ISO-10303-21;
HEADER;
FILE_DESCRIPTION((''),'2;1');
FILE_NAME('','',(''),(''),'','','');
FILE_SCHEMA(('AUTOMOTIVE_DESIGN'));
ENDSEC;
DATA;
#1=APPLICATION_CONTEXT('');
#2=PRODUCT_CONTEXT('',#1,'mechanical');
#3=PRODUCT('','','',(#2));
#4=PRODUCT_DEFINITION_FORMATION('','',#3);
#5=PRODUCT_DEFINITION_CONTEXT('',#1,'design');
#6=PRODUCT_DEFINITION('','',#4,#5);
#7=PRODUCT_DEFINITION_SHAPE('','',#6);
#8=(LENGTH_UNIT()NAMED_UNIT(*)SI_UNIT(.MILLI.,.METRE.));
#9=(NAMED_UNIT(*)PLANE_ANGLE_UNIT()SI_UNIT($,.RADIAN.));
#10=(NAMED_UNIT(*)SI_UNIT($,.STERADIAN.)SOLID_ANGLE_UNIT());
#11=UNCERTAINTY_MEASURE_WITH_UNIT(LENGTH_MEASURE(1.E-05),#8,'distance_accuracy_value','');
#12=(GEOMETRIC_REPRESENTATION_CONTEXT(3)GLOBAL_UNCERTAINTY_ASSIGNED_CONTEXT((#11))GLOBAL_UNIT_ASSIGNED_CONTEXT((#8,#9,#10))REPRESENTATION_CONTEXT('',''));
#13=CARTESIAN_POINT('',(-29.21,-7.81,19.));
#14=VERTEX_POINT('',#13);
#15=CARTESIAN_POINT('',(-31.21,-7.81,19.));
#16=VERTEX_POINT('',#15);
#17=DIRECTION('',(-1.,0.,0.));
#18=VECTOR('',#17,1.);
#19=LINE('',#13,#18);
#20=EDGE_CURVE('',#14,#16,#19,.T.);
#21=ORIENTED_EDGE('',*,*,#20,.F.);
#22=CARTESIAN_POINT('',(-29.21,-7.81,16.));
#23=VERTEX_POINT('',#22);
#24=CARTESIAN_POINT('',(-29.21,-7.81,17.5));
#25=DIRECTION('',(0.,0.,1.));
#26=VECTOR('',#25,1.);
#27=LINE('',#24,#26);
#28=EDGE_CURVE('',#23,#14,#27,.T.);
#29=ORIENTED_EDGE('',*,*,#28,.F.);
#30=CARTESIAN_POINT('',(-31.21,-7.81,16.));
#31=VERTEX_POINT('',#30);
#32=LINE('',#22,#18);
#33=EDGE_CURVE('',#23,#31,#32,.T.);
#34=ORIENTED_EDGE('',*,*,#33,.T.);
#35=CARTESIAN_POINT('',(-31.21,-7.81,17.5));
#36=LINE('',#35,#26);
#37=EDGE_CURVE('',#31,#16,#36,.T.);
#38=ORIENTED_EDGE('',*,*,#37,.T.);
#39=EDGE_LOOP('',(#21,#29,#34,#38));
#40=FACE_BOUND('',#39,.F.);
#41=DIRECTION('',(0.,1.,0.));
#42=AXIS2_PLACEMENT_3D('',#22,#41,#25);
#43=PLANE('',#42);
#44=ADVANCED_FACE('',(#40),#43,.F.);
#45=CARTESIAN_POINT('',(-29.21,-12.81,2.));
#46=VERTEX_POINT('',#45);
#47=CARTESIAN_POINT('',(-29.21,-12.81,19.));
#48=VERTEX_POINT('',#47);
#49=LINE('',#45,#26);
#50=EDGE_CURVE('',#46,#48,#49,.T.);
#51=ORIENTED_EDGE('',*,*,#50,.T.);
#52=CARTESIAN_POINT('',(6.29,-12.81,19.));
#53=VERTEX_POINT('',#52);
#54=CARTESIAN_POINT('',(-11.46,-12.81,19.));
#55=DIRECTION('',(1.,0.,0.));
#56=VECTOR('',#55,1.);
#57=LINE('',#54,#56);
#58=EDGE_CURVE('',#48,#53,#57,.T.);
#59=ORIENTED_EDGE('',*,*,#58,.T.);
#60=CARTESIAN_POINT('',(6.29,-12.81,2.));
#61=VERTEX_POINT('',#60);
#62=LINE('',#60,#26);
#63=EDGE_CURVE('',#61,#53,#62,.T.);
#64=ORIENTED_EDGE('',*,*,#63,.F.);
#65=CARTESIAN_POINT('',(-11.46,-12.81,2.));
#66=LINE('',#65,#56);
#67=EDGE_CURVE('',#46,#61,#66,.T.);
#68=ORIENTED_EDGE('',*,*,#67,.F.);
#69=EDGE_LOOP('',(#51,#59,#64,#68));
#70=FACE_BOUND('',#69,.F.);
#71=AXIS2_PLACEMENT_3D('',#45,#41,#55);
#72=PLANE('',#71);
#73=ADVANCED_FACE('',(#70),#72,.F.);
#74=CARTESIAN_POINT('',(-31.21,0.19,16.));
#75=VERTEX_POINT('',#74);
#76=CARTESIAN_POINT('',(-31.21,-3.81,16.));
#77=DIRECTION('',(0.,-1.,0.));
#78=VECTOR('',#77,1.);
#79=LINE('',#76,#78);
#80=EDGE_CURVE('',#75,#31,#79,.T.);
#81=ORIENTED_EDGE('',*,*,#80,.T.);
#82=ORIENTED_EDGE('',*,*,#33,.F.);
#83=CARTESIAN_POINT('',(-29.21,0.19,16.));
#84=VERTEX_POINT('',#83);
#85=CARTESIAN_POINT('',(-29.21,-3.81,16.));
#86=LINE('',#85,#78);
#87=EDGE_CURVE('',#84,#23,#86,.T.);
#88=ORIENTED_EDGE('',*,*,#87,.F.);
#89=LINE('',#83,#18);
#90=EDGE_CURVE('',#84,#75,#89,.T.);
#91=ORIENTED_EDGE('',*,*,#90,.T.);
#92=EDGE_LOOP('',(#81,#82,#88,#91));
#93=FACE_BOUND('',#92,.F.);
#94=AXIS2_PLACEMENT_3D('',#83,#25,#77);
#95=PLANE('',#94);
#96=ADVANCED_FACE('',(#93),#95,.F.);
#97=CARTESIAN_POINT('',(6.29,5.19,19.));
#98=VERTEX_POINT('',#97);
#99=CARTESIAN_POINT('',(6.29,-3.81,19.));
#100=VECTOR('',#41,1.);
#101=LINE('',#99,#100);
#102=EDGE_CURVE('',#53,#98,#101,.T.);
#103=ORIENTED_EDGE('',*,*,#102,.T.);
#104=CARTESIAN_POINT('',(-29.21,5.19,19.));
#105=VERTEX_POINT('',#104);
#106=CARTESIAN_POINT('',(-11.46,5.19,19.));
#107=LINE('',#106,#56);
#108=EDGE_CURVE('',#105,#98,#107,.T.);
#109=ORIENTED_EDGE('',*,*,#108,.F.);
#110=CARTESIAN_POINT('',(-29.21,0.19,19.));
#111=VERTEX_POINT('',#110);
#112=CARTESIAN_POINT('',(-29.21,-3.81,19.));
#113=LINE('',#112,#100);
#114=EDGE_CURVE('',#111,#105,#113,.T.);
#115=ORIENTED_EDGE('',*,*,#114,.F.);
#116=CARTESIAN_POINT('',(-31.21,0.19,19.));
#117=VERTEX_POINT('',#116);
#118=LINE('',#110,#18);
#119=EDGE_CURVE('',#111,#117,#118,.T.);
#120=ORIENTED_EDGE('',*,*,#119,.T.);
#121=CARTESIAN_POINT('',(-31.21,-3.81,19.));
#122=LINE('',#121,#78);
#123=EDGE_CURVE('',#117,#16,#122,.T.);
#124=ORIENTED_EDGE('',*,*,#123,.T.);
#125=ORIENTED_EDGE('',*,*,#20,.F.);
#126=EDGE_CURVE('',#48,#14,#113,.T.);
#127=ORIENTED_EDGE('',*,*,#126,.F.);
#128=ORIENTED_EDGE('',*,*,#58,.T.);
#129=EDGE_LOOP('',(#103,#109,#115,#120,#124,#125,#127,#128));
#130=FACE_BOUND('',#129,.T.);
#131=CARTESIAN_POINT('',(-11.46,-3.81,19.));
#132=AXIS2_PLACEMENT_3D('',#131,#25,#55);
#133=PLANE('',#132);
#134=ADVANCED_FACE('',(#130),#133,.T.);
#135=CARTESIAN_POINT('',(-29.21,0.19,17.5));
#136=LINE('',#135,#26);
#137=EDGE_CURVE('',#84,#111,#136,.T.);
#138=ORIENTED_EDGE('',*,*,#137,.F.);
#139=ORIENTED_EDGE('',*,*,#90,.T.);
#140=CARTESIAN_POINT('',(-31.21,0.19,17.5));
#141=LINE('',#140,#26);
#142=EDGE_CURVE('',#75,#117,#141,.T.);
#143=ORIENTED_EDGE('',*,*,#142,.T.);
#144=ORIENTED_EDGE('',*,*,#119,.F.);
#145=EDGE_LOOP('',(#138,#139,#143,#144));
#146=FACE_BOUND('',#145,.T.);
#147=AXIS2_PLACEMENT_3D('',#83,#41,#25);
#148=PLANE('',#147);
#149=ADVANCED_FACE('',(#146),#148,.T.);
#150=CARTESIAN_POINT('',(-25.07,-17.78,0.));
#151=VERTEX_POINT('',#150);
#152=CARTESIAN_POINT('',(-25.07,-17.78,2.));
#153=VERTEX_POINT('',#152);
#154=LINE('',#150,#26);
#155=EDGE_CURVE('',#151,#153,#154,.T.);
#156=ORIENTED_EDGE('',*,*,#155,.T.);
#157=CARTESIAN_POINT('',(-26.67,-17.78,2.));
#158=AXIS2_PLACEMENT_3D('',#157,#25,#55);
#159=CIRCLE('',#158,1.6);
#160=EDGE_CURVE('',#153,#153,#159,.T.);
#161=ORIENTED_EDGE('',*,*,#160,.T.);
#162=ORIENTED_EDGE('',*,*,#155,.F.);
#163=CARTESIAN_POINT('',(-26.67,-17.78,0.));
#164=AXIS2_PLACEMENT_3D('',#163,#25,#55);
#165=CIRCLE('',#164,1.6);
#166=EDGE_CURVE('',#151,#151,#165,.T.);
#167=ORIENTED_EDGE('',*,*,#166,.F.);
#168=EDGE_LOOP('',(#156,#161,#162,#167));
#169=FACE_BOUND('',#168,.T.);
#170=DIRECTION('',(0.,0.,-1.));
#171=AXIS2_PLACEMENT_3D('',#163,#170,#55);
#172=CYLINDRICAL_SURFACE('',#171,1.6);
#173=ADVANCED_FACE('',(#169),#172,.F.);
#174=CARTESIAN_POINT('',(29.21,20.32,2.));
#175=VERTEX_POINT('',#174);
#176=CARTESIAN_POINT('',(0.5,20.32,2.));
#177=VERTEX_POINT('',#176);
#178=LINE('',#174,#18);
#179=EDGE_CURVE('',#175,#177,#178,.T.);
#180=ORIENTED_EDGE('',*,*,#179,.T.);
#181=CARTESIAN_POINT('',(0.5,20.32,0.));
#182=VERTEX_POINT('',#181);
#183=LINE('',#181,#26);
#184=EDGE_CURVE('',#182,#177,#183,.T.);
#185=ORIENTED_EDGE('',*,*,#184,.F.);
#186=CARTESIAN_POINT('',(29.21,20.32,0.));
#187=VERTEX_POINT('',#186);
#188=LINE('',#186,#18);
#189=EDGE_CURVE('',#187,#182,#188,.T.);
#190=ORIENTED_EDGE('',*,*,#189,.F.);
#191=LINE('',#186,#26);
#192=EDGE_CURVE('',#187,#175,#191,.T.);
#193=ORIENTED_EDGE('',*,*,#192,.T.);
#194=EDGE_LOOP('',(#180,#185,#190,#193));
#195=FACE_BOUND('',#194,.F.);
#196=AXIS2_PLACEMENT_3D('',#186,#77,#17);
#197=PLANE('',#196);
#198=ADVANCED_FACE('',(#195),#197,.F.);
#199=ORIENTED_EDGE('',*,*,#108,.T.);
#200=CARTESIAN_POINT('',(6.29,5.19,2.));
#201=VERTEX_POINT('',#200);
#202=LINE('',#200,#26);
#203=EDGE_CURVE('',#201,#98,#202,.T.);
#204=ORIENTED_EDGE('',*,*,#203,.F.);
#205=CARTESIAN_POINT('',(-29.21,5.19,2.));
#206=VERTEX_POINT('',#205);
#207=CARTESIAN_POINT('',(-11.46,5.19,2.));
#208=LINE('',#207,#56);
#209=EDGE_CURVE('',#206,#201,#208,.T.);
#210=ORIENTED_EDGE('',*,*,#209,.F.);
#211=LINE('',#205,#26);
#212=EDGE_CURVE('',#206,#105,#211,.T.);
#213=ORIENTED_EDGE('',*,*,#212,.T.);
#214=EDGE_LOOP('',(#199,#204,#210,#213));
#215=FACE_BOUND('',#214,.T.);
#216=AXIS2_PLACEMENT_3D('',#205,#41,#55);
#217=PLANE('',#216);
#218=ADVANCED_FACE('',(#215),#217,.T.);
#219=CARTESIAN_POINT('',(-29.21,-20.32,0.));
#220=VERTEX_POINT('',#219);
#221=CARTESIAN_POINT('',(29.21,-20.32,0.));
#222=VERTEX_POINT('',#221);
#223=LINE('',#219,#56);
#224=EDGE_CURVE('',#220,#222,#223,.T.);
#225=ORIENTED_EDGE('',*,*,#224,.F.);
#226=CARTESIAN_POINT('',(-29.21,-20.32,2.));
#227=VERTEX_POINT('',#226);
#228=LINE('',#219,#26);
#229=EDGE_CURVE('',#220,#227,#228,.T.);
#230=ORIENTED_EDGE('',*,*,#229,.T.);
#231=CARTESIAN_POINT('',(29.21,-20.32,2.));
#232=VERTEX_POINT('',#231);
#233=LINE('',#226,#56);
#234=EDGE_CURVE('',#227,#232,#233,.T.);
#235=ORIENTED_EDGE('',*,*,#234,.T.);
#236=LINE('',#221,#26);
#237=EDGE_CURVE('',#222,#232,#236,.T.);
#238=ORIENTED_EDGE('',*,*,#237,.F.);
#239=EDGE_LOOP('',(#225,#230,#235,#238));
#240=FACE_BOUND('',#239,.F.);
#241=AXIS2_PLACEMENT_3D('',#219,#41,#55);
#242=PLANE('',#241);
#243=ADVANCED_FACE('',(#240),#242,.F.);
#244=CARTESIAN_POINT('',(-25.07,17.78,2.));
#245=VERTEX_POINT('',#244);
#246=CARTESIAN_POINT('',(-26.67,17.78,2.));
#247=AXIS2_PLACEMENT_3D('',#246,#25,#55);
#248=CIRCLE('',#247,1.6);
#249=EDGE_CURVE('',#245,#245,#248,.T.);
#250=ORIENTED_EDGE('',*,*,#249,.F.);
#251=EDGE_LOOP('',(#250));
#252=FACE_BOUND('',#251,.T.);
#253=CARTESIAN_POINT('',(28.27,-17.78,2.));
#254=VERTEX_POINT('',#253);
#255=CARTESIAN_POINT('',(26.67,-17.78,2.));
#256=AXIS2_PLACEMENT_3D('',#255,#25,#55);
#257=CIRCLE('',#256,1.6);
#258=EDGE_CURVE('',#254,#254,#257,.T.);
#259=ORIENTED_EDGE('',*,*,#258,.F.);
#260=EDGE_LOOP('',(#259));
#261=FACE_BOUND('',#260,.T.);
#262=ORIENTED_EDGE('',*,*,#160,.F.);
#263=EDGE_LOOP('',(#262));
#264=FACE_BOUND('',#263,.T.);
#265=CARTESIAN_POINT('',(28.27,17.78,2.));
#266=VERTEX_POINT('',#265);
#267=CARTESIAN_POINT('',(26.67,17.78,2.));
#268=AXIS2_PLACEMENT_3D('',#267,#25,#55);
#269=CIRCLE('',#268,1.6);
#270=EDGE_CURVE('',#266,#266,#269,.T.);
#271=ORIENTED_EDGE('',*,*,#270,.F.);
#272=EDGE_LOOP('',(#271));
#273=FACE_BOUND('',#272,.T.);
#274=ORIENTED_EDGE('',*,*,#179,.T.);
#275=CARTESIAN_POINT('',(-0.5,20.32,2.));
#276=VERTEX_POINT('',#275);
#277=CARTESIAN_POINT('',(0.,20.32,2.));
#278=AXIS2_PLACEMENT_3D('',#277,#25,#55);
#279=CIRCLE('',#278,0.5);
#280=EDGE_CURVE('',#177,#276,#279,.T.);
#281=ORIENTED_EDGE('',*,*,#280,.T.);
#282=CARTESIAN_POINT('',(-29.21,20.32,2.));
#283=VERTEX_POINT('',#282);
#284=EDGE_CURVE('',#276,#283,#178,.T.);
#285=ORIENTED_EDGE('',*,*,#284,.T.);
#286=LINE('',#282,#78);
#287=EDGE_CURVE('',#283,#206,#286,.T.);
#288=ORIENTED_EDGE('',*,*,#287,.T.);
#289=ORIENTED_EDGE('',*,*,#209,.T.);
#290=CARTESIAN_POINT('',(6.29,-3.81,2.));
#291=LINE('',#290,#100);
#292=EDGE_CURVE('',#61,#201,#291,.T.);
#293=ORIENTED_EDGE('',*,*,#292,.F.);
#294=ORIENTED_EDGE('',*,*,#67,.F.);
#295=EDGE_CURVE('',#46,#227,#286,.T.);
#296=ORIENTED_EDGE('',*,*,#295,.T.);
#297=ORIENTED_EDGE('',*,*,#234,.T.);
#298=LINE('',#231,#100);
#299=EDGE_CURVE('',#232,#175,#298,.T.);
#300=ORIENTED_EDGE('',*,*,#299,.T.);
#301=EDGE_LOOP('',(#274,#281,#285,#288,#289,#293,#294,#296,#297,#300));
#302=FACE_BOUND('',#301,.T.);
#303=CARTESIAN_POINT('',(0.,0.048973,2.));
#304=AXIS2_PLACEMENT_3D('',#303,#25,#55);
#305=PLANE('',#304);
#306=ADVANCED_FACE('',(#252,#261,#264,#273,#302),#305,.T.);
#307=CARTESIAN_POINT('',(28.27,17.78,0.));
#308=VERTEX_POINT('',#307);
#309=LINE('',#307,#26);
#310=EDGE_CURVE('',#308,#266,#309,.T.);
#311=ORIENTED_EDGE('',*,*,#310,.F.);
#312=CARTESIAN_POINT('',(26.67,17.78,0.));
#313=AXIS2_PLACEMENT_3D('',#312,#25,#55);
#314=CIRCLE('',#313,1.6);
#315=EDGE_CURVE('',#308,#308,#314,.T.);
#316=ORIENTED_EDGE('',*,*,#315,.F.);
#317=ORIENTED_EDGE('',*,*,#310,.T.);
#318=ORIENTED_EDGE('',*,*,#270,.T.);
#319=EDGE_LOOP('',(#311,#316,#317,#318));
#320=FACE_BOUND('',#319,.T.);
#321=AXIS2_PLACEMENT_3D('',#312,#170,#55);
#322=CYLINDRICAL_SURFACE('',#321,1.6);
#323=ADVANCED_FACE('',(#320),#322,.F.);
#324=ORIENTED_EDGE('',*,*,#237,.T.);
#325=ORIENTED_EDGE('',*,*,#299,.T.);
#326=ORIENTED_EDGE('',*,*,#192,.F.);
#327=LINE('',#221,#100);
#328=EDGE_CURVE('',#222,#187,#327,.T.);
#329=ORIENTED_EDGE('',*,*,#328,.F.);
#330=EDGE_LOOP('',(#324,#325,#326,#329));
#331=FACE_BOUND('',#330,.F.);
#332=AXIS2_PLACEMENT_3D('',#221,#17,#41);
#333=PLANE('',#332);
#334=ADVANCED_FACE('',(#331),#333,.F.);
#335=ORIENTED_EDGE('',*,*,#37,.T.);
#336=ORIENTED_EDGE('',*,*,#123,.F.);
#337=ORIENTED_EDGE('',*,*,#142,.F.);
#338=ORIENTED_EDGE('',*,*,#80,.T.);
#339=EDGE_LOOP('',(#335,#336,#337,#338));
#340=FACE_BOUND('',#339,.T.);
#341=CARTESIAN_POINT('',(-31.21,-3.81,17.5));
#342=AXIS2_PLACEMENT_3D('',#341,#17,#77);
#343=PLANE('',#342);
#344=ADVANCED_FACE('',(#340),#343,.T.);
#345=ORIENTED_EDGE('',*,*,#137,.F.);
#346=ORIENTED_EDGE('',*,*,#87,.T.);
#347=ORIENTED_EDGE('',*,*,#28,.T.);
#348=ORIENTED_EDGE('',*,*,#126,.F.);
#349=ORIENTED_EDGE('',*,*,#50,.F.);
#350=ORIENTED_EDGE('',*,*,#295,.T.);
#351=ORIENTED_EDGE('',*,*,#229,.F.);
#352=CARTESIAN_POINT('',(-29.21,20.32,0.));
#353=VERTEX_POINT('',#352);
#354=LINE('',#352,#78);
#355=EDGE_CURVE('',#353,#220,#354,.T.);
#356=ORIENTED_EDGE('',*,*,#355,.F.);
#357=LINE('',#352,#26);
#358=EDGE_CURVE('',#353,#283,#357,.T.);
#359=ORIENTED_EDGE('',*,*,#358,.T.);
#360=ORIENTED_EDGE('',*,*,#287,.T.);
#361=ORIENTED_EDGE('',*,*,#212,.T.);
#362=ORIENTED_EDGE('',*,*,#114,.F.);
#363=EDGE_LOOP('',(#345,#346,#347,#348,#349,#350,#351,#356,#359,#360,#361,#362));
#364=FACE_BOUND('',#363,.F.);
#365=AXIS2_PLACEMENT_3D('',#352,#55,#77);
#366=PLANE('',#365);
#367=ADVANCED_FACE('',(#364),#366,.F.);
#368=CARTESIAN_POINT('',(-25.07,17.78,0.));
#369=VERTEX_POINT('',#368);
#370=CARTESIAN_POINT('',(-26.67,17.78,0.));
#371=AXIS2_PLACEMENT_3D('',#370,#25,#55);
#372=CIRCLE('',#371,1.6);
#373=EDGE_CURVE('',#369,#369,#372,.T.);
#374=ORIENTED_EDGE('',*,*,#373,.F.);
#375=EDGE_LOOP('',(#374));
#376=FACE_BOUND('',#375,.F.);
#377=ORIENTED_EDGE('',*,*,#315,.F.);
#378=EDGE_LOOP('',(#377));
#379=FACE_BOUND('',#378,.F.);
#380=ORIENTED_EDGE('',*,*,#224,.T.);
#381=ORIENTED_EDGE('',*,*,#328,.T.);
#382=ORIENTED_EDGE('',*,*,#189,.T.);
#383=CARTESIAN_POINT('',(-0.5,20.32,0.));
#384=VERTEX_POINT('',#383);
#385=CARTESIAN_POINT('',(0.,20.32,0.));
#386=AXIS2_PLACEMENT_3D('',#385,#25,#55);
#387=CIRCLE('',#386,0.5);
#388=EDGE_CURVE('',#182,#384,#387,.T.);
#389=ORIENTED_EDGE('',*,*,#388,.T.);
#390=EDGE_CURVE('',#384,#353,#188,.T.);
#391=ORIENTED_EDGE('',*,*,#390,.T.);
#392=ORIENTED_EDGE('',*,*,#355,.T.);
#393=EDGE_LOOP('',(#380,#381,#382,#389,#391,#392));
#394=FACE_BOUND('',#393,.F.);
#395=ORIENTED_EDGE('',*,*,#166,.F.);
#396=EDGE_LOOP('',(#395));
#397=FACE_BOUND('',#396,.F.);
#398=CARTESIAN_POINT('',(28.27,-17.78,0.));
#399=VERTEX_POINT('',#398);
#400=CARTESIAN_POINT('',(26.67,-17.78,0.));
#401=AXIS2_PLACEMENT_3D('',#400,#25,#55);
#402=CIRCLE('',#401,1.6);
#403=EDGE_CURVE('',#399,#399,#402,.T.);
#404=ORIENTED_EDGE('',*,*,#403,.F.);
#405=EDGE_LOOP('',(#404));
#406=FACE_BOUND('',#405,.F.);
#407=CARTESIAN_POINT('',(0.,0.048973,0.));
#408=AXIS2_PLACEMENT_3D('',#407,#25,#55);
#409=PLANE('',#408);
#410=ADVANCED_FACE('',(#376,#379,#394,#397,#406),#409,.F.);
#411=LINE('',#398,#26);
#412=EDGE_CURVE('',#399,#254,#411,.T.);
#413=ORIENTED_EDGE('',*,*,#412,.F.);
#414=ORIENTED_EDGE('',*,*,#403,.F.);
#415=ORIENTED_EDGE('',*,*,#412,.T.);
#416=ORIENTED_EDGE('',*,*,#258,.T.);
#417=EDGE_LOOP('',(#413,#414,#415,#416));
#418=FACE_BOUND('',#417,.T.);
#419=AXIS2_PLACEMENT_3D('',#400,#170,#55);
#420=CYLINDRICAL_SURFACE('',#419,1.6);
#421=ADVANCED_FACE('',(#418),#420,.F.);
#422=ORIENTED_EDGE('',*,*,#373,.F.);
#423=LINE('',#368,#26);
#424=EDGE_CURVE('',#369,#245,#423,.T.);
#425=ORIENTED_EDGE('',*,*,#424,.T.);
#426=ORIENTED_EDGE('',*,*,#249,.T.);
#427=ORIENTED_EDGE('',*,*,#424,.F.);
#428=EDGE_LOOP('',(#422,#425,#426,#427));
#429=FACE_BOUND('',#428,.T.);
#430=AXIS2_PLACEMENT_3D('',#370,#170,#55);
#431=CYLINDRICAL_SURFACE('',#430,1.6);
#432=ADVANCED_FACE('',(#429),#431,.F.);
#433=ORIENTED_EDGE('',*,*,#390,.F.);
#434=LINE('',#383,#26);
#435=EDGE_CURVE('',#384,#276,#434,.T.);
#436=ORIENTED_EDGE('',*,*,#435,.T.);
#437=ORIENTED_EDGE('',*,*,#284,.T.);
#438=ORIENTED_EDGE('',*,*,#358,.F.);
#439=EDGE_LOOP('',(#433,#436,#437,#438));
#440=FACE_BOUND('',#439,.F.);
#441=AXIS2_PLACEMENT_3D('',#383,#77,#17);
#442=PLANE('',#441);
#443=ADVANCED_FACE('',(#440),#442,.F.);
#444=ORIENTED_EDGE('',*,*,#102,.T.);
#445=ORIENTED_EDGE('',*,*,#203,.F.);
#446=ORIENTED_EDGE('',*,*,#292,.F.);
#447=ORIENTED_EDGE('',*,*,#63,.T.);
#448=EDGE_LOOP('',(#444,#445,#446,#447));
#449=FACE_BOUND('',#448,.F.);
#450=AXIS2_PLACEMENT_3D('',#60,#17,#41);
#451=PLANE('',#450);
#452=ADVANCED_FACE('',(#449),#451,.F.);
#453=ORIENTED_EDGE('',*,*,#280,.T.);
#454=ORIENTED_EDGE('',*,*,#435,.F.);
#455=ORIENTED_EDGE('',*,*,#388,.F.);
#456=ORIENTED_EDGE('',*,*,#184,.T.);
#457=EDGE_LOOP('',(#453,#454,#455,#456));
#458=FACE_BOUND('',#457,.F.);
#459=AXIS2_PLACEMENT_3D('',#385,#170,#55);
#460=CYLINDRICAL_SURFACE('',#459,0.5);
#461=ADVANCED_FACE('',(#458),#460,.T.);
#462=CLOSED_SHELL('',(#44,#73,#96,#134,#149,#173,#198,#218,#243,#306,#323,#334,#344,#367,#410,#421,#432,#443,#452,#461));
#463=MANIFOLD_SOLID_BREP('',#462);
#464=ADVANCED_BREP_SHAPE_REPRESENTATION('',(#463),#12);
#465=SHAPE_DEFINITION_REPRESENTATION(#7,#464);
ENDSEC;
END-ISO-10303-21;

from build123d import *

# Parameters (mm, degrees)
F0_R     = 1.6
F1_DEPTH = 2
F3_W     = 35.5
F3_H     = 18
F4_DEPTH = 17
F6_W     = 8
F6_H     = 3
F7_DEPTH = 2


with BuildPart() as f1:
    # F0 (on Top) → F1 (new body)
    with BuildSketch(Plane.XY):
        with BuildLine():
            Line((-29.21, -20.32), (29.21, -20.32))
            Line((29.21, -20.32), (29.21, 20.32))
            Line((29.21, 20.32), (0.5, 20.32))
            ThreePointArc((0.5, 20.32), (0, 19.82), (-0.5, 20.32))
            Line((-0.5, 20.32), (-29.21, 20.32))
            Line((-29.21, 20.32), (-29.21, -20.32))
        make_face()
        with Locations((-26.67, -17.78)):
            Circle(F0_R, mode=Mode.SUBTRACT)
        with Locations((26.67, -17.78)):
            Circle(F0_R, mode=Mode.SUBTRACT)
        with Locations((-26.67, 17.78)):
            Circle(F0_R, mode=Mode.SUBTRACT)
        with Locations((26.67, 17.78)):
            Circle(F0_R, mode=Mode.SUBTRACT)
        with BuildLine():
            ThreePointArc((-0.5, 20.32), (0, 19.82), (0.5, 20.32))
            Line((0.5, 20.32), (-0.5, 20.32))
        make_face()
        with BuildLine():
            Line((-0.5, 20.32), (0.5, 20.32))
            ThreePointArc((0.5, 20.32), (0, 20.82), (-0.5, 20.32))
        make_face()
    extrude(amount=F1_DEPTH)

    # F3 (on offset) → F4 (join)
    with BuildSketch(Plane.XY.offset(2)):
        with Locations((-11.46, -3.81)):
            Rectangle(F3_W, F3_H)
    extrude(amount=F4_DEPTH)

    # F6 (on offset) → F7 (join)
    with BuildSketch(Plane(origin=(-29.21, 0, 0), x_dir=(0, -1, 0), z_dir=(-1, 0, 0))):
        with Locations((3.81, 17.5)):
            Rectangle(F6_W, F6_H)
    extrude(amount=F7_DEPTH)


solid = f1.part
